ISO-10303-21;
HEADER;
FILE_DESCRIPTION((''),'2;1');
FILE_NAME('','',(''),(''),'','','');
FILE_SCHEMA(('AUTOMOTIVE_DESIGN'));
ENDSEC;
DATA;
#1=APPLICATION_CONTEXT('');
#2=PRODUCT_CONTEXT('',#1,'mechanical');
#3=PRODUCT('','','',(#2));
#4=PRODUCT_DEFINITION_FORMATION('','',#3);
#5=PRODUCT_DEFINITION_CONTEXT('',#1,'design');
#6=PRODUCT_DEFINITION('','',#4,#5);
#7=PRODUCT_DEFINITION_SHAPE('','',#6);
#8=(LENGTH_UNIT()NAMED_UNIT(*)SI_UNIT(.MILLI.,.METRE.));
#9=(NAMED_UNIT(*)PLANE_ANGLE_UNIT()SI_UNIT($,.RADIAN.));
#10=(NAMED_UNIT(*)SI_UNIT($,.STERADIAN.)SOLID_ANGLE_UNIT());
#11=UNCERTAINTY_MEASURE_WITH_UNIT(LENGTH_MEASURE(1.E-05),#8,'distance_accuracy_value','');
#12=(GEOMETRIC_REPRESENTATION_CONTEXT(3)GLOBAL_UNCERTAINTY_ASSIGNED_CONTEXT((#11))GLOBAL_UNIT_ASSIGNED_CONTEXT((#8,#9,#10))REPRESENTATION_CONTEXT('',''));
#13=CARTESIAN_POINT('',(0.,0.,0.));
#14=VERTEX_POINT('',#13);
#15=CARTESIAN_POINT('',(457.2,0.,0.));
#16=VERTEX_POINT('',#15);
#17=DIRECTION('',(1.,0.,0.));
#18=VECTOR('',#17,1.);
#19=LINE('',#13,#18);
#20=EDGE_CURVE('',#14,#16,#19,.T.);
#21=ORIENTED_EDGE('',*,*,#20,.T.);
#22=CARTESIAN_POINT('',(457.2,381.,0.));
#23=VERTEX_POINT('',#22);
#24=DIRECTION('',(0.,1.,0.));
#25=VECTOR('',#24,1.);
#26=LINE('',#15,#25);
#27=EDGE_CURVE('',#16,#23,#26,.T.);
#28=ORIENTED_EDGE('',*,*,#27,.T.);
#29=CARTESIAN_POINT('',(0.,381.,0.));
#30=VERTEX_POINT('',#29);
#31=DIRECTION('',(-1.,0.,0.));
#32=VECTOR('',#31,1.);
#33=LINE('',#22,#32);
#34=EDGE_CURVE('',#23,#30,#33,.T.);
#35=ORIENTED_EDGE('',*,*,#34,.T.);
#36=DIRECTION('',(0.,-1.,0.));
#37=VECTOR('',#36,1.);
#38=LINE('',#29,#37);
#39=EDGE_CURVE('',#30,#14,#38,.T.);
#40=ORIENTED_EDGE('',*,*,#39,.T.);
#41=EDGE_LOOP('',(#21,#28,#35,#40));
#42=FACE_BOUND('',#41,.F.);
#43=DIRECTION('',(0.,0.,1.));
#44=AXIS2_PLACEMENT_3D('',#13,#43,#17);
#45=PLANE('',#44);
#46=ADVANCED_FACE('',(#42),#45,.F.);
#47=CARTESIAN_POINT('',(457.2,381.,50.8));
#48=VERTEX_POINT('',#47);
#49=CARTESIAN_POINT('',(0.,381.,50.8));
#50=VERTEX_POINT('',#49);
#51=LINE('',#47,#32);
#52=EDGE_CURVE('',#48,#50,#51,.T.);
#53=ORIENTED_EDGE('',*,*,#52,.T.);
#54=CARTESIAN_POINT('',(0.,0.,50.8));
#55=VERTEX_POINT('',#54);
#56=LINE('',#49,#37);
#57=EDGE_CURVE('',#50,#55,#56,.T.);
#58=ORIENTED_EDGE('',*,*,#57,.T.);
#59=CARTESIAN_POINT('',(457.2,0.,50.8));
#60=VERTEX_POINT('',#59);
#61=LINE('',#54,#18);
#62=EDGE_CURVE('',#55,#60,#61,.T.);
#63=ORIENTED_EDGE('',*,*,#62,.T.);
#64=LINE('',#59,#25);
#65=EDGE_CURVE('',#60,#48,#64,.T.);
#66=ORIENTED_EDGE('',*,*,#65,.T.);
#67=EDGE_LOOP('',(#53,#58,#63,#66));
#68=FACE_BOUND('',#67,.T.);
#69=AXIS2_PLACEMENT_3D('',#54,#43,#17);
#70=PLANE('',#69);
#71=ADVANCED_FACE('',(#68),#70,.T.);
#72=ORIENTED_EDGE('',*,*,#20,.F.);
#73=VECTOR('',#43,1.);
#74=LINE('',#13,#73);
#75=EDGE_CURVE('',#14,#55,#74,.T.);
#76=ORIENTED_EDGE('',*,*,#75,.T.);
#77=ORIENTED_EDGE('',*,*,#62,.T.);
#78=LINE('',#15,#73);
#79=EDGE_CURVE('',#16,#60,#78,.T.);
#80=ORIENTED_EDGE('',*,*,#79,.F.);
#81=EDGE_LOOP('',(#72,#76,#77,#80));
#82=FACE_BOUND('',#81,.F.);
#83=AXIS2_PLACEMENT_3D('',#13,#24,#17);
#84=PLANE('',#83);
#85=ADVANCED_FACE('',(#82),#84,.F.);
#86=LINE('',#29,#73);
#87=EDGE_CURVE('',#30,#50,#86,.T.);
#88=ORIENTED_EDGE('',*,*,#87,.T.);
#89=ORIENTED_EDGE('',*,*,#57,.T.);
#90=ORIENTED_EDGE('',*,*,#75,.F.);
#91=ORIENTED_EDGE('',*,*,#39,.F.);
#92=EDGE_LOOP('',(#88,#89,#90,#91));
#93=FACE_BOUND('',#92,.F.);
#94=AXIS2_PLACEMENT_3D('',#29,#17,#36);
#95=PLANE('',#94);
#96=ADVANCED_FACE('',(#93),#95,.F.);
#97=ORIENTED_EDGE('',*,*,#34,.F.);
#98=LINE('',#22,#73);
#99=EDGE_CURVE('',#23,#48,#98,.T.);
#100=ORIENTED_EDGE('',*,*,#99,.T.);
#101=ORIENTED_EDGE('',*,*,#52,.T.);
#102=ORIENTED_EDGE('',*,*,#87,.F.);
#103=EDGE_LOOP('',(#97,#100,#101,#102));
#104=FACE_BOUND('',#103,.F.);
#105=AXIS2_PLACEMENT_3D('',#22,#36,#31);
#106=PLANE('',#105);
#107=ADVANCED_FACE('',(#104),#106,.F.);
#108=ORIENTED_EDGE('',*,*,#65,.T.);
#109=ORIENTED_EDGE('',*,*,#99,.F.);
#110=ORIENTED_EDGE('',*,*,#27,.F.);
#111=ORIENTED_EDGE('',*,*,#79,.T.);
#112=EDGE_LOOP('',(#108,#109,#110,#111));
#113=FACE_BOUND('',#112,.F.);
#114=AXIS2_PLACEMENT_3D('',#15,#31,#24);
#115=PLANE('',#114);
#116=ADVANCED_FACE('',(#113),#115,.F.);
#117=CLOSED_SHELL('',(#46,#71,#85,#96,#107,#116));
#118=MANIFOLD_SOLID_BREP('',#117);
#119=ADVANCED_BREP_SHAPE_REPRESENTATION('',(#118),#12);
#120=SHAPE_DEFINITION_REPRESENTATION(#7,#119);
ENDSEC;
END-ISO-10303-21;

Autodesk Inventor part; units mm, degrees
ref_plane "YZ Plane" through (0, 0, 0) normal (1, 0, 0) x (0, 1, 0)
ref_plane "XZ Plane" through (0, 0, 0) normal (0, 1, 0) x (-1, 0, 0)
ref_plane "XY Plane" through (0, 0, 0) normal (0, 0, 1) x (1, 0, 0)
sketch "Sketch1" plane through (0, 0, 0) normal (0, 0, 1) x (1, 0, 0)
  line L0 (0, 0) -> (457.2, 0)
  line L1 (457.2, 0) -> (457.2, 381)
  line L2 (457.2, 381) -> (0, 381)
  line L3 (0, 381) -> (0, 0)
  dimension "d0" = 457.2
  dimension "d1" = 381
extrude "Extrusion1" add sketch "Sketch1" along normal blind 50.8
properties part number "CBKyle"
